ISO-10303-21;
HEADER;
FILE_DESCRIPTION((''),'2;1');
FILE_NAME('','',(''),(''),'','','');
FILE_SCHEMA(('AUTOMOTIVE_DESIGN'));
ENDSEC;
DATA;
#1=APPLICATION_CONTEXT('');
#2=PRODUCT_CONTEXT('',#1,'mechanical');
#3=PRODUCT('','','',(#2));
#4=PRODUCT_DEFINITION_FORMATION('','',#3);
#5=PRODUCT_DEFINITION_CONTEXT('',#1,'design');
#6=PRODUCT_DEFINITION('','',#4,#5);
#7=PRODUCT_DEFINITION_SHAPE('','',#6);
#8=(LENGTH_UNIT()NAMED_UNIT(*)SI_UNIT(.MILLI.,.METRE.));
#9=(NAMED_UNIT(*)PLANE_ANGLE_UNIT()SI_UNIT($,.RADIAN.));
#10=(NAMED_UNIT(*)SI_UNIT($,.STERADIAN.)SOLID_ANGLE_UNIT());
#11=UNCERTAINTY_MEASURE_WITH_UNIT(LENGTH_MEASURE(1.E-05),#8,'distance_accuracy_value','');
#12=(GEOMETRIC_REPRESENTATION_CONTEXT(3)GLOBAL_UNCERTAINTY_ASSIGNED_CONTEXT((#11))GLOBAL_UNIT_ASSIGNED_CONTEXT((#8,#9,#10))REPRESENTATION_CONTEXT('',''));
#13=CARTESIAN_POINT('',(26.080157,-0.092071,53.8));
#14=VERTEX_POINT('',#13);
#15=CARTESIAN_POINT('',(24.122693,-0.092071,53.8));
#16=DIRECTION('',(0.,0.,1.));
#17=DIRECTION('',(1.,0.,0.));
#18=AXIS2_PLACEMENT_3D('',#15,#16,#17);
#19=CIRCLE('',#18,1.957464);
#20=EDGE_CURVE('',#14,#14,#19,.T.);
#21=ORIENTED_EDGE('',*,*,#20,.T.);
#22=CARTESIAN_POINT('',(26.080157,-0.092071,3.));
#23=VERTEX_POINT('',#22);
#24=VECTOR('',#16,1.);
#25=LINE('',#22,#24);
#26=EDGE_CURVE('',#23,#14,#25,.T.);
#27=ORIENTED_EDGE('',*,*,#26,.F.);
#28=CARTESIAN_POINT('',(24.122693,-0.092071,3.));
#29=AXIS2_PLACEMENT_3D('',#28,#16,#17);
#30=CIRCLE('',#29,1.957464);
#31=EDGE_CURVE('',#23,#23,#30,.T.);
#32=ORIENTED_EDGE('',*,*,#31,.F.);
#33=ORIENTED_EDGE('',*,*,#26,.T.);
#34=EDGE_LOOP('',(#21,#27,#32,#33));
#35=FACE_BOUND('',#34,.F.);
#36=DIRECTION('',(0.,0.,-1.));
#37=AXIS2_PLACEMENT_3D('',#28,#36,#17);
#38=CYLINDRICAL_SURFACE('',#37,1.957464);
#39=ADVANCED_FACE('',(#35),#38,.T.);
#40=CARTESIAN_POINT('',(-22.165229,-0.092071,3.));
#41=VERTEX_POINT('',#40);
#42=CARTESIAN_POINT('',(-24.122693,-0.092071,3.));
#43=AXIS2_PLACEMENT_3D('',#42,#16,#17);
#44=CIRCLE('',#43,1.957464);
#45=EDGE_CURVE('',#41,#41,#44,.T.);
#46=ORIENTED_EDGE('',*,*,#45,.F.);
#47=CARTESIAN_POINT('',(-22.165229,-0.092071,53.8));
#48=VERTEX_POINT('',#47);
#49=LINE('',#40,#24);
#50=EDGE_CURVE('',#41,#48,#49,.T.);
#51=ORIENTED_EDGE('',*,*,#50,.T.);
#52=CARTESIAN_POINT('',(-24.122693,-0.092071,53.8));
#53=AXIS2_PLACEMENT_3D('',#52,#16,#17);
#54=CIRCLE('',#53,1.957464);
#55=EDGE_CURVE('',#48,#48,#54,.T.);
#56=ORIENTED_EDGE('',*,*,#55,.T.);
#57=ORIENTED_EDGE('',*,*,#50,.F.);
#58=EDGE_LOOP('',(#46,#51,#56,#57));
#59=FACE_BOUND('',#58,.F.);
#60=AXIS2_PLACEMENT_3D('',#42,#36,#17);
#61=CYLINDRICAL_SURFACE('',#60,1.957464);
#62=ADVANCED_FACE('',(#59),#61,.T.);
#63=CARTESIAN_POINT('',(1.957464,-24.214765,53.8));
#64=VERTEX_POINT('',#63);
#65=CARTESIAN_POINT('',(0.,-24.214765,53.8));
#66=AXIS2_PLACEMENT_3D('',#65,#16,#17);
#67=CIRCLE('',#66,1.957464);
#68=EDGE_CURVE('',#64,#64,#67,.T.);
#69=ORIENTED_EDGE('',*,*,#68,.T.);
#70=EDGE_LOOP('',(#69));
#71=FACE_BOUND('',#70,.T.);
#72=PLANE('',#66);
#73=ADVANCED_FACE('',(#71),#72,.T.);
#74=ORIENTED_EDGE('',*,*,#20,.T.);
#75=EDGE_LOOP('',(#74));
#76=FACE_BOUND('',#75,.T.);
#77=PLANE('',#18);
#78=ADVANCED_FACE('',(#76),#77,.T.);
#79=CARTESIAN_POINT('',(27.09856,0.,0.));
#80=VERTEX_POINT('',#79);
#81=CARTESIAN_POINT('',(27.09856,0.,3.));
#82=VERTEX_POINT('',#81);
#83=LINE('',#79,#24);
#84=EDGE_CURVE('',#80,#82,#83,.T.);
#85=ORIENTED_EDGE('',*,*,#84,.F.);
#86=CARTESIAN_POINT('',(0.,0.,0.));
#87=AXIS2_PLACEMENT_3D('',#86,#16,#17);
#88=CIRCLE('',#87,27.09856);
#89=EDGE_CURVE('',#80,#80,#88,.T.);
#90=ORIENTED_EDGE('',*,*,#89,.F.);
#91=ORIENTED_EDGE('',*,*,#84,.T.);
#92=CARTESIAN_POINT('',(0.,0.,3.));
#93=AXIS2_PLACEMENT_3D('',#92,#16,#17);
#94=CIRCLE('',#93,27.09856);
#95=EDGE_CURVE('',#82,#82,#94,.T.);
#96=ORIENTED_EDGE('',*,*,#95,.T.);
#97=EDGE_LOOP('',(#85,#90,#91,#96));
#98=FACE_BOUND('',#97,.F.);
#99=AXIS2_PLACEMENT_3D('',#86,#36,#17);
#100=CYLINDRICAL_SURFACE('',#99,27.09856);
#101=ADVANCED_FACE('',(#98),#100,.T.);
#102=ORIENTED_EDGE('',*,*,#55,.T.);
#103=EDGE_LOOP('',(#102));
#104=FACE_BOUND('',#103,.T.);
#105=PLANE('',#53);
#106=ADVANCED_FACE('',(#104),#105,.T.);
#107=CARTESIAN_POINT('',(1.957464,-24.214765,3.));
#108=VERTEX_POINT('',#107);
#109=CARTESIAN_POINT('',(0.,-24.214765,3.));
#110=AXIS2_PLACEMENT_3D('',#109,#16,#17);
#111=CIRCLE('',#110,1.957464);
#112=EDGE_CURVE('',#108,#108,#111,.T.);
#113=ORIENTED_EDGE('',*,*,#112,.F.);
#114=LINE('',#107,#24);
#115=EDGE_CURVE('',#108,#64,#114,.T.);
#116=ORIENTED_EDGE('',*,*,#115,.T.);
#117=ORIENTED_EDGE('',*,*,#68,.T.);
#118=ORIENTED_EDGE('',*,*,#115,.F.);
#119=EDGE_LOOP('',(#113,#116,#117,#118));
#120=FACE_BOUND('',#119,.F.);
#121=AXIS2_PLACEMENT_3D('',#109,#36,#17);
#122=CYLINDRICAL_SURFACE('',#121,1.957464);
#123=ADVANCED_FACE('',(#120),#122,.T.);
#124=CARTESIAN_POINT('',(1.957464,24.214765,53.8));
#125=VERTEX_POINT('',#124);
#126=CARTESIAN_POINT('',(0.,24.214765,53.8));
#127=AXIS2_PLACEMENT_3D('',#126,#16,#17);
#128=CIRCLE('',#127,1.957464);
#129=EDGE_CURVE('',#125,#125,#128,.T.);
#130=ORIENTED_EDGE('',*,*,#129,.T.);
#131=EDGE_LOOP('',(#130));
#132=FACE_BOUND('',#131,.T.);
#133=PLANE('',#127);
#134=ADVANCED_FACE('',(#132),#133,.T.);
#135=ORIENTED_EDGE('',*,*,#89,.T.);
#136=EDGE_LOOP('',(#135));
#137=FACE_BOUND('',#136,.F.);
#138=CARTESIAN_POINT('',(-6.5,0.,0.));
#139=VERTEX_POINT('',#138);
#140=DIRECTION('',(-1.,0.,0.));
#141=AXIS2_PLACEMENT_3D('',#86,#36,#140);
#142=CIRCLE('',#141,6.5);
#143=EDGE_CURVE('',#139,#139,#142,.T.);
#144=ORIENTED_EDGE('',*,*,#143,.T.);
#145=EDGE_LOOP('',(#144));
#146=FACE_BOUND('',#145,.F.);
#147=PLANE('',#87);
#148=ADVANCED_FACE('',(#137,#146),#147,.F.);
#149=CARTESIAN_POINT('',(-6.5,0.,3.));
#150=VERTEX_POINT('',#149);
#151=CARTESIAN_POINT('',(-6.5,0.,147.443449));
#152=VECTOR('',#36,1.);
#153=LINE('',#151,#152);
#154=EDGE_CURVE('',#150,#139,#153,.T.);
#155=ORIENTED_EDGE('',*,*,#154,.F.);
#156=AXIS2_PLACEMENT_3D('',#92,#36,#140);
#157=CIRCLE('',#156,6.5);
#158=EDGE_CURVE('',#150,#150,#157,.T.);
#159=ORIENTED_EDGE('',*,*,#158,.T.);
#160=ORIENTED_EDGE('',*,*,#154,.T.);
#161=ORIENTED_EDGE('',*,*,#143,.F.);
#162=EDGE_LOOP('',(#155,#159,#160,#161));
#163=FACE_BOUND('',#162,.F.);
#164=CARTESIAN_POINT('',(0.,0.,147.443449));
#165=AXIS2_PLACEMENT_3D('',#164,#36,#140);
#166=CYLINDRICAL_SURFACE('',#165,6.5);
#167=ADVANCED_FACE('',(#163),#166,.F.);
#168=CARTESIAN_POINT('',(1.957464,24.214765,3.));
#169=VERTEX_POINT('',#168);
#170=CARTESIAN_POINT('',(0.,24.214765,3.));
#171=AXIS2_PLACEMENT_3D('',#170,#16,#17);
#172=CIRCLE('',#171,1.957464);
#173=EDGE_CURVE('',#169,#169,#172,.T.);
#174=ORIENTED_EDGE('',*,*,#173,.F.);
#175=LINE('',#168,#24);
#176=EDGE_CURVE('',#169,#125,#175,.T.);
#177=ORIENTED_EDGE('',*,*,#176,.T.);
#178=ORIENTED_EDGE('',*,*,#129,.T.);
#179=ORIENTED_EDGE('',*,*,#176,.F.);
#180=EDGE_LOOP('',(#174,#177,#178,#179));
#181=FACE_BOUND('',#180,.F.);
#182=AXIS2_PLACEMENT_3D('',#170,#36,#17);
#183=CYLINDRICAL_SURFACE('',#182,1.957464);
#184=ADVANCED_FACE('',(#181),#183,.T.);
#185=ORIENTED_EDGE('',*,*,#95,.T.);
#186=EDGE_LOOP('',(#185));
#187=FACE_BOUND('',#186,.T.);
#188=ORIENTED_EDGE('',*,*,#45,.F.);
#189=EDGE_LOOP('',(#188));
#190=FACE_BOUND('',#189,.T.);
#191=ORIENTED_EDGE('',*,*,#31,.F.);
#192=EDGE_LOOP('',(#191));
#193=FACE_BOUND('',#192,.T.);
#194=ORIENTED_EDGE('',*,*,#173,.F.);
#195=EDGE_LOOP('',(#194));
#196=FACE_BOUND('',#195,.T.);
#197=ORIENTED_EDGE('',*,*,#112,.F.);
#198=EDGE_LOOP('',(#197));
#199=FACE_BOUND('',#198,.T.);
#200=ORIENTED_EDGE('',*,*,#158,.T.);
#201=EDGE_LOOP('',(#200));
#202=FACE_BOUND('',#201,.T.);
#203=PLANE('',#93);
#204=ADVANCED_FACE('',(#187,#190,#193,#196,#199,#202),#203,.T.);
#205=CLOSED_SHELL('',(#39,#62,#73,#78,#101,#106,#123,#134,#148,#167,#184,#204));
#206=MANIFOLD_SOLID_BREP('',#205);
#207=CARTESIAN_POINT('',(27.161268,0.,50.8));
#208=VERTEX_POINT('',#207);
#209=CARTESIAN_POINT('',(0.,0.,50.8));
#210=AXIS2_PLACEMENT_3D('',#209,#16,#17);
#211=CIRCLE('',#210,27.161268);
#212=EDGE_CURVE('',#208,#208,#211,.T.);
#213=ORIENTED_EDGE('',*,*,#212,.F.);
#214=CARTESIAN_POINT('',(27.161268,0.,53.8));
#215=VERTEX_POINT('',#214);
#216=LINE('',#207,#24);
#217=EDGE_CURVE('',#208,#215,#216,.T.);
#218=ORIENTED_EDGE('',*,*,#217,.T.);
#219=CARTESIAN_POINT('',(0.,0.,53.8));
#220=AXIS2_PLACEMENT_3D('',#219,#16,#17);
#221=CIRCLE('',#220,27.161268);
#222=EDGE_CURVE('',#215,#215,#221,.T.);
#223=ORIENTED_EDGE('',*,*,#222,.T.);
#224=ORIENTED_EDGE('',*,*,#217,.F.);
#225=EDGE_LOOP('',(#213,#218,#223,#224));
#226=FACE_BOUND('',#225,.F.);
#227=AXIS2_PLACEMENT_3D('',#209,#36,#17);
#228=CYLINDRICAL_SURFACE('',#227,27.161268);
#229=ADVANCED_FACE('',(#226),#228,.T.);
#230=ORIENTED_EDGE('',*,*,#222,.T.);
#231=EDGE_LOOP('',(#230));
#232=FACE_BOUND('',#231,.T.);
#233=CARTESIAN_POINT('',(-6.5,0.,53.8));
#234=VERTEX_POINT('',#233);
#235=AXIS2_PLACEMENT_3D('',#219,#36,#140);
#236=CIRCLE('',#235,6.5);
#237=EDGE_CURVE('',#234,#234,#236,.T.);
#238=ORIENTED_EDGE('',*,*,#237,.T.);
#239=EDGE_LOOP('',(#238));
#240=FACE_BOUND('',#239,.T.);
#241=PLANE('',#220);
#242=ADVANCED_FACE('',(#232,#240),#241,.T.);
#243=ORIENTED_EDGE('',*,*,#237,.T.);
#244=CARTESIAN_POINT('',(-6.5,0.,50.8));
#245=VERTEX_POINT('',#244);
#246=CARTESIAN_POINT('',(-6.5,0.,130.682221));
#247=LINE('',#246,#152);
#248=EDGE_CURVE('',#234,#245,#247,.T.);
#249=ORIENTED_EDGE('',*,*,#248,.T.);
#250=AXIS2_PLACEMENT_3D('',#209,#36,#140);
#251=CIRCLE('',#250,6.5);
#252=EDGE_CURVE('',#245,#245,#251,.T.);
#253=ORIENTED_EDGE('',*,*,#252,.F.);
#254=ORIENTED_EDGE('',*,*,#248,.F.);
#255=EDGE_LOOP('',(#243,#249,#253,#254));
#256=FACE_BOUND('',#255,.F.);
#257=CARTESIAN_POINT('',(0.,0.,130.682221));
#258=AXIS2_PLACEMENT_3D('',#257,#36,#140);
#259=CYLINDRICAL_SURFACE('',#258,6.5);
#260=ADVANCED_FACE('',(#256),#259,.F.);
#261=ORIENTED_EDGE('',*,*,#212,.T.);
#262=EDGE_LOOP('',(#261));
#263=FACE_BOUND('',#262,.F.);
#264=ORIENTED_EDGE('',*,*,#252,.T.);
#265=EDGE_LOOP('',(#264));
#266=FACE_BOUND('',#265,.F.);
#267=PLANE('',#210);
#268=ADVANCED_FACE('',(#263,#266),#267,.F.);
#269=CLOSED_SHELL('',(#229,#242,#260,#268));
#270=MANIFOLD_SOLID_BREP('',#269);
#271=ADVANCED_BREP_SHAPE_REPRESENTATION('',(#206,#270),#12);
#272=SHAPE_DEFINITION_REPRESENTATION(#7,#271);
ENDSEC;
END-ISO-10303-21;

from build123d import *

# Parameters (mm, degrees)
F0_R     = 27.09856
F1_DEPTH = 3
F2_R     = 1.957464
F3_DEPTH = 50.8
F5_R     = 27.161268
F6_DEPTH = 3
F8_D     = 13
F8_2_D   = 13


with BuildPart() as f1:
    # F0 (on Top) → F1 (new body)
    with BuildSketch(Plane.XY):
        Circle(F0_R)
    extrude(amount=F1_DEPTH)

    # F2 (on face) → F3 (join)
    with BuildSketch(Plane.XY.offset(3)):
        with Locations((0, 24.214765)):
            Circle(F2_R)
        with Locations((0, -24.214765)):
            Circle(F2_R)
        with Locations((-24.122693, -0.092071)):
            Circle(F2_R)
        with Locations((24.122693, -0.092071)):
            Circle(F2_R)
    extrude(amount=F3_DEPTH)

    # F8 (through all)
    with Locations(Plane.XY.offset(53.8)):
        with Locations((0, 0)):
            Hole(F8_D / 2)


with BuildPart() as f6:
    # F5 (on offset) → F6 (new body)
    with BuildSketch(Plane.XY.offset(50.8)):
        Circle(F5_R)
    extrude(amount=F6_DEPTH)

    # F8#2 (through all)
    with Locations(Plane.XY.offset(53.8)):
        with Locations((0, 0)):
            Hole(F8_2_D / 2)


solid = Compound([f1.part, f6.part])
